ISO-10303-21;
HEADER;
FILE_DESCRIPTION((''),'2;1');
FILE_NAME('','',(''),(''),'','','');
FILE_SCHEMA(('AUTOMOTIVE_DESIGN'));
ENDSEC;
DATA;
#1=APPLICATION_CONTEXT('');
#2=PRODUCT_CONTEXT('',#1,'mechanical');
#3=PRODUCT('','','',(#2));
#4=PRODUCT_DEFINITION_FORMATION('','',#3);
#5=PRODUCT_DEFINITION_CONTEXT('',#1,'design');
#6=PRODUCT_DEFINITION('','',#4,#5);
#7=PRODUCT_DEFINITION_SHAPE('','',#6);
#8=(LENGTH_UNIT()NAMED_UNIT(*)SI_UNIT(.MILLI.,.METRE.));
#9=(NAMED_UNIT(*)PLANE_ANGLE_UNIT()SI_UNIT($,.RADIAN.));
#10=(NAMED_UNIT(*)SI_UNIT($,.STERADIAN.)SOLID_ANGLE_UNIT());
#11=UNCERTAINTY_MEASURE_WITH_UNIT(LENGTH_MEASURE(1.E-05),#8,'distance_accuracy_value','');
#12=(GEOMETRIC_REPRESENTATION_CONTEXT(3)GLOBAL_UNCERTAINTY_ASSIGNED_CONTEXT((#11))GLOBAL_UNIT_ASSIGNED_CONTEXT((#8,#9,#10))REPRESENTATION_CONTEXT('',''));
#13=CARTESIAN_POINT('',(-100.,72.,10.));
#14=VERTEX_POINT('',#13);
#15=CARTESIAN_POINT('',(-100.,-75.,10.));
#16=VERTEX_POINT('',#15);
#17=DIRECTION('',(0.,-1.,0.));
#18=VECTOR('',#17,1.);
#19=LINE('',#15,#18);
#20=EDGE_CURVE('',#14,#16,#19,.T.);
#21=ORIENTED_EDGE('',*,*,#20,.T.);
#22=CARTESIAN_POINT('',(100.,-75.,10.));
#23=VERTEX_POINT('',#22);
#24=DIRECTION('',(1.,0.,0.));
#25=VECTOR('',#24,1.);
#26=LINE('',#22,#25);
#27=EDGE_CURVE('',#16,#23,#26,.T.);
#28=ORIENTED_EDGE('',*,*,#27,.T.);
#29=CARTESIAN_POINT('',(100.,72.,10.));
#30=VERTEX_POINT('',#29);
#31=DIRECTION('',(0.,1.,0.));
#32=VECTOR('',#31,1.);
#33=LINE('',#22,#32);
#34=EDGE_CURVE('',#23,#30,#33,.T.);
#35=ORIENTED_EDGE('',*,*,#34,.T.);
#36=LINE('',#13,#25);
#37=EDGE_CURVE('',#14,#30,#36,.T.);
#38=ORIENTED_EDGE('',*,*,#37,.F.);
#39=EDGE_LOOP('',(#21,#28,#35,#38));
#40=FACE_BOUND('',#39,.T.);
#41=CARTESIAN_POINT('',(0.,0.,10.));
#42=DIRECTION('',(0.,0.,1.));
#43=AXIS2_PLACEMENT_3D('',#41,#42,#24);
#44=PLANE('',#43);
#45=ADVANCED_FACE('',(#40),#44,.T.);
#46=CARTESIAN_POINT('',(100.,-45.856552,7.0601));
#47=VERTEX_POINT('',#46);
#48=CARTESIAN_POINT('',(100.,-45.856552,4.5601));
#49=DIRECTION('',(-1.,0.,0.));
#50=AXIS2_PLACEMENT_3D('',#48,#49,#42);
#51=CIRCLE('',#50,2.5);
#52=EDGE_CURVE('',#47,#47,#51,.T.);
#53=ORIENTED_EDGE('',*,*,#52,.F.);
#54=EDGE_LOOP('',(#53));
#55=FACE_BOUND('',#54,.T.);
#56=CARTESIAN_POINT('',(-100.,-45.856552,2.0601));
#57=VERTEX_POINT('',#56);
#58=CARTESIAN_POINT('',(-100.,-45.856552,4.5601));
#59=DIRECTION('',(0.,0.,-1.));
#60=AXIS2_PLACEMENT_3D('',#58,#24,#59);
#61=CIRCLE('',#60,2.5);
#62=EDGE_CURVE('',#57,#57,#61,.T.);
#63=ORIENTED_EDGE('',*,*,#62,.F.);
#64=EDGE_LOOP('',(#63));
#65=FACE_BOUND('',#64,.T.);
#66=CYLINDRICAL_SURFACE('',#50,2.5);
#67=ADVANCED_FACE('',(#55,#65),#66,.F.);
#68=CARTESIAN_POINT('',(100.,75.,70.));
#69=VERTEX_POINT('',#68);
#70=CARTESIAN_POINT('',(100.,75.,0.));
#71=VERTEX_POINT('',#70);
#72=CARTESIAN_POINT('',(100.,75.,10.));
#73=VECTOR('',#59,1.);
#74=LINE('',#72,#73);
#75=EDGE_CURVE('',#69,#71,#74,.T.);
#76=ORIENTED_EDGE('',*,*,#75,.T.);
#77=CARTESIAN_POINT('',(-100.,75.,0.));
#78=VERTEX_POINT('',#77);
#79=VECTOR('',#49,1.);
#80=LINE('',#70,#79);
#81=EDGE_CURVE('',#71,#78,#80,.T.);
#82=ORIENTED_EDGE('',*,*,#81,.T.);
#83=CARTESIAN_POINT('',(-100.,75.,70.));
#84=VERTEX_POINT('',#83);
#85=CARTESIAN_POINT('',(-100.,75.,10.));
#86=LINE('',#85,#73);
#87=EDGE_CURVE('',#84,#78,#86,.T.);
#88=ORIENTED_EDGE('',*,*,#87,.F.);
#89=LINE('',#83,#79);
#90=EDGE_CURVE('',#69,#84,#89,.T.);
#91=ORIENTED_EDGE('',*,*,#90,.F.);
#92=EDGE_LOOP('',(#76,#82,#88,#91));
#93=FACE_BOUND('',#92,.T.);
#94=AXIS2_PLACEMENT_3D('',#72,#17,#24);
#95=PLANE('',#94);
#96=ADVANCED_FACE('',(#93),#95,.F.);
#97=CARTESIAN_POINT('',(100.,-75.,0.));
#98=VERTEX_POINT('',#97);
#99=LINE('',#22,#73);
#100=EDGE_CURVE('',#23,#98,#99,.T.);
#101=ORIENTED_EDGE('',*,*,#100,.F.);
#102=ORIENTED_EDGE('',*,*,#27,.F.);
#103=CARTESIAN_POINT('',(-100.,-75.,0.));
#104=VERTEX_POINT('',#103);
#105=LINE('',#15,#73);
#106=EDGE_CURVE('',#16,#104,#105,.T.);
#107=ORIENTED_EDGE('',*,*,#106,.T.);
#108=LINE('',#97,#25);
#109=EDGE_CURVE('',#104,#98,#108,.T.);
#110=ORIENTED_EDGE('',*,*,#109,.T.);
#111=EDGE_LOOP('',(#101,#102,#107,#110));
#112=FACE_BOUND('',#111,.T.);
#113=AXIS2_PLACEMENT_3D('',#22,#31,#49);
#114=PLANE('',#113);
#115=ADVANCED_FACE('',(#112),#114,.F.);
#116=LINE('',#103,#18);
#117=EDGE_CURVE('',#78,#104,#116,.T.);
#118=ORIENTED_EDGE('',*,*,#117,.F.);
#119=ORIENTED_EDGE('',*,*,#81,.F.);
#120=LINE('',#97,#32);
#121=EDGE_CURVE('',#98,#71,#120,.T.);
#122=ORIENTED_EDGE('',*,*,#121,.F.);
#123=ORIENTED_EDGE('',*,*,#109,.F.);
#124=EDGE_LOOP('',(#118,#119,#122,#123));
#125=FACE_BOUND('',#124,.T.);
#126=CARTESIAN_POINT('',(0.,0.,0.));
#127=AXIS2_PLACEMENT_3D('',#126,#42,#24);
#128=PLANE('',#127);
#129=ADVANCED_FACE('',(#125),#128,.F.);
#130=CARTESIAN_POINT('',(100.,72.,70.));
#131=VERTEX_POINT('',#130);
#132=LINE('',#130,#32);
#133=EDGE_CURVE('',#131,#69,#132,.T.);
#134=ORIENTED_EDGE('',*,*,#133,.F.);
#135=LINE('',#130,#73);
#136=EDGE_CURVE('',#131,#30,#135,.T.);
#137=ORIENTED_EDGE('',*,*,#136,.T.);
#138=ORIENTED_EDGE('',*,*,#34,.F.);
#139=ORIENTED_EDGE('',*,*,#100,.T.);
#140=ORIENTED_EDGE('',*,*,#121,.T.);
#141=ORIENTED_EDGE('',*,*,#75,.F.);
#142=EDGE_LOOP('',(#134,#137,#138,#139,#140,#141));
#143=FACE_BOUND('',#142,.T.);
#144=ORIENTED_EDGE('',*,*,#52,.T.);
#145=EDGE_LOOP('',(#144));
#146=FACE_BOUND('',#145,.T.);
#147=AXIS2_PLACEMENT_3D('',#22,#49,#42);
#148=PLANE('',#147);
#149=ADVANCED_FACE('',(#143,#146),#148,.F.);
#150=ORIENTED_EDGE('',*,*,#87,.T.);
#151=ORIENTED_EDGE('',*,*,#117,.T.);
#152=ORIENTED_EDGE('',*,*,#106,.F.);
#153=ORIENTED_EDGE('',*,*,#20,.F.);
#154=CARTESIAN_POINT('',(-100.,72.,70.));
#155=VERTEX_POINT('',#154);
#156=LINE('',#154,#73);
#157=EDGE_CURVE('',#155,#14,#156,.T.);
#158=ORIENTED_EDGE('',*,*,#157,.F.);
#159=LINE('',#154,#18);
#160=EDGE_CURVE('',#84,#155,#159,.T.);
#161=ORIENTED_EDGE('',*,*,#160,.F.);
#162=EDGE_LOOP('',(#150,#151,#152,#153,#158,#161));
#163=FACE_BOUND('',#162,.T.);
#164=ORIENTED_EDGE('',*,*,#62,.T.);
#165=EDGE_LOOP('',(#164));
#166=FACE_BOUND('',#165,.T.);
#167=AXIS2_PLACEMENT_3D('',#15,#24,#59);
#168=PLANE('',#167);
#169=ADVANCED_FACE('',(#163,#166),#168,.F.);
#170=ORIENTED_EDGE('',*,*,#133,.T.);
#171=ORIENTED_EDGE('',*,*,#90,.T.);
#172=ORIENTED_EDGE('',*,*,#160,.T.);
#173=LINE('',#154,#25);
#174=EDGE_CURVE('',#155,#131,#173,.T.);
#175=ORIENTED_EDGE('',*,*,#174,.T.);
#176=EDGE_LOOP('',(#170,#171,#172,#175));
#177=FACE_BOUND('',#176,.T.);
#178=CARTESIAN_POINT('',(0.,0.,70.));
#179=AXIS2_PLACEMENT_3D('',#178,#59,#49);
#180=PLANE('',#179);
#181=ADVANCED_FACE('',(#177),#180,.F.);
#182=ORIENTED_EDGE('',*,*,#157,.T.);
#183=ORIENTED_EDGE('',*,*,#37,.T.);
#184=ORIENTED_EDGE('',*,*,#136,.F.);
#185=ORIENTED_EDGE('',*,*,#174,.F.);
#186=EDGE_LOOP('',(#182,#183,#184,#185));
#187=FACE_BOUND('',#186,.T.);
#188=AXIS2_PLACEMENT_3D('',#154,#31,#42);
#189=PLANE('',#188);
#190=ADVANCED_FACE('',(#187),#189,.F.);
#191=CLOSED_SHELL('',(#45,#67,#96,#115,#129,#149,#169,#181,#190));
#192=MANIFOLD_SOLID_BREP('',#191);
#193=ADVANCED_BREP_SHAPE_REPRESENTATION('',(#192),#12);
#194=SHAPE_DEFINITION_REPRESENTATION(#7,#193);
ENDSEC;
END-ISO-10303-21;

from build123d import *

# Parameters (mm, degrees)
SKETCH1_W               = 200
SKETCH1_H               = 150
BOSS_EXTRUDE1_DEPTH     = 10
CUT_EXTRUDE1_DEPTH      = 214.834047803
CUT_EXTRUDE1_DEPTH_BACK = 214.834047803
SKETCH2_R               = 2.5
SKETCH3_W               = 200
SKETCH3_H               = 3
BOSS_EXTRUDE2_DEPTH     = 60


with BuildPart() as part:
    # Sketch1 → Boss-Extrude1 (new body)
    with BuildSketch(Plane.XY):
        Rectangle(SKETCH1_W, SKETCH1_H)
    extrude(amount=BOSS_EXTRUDE1_DEPTH)

    # Sketch2 → Cut-Extrude1 (cut, two sides: drawn at the far end of the back side and taken through both)
    with BuildSketch(Plane.ZY.offset(100).offset(-CUT_EXTRUDE1_DEPTH_BACK)):
        with Locations((4.560099843, -45.856552044)):
            Circle(SKETCH2_R)
    extrude(amount=CUT_EXTRUDE1_DEPTH + CUT_EXTRUDE1_DEPTH_BACK, mode=Mode.SUBTRACT)

    # Sketch3 → Boss-Extrude2 (add)
    with BuildSketch(Plane.XY.offset(10)):
        with Locations((0, 73.5)):
            Rectangle(SKETCH3_W, SKETCH3_H)
    extrude(amount=BOSS_EXTRUDE2_DEPTH)


solid = part.part
